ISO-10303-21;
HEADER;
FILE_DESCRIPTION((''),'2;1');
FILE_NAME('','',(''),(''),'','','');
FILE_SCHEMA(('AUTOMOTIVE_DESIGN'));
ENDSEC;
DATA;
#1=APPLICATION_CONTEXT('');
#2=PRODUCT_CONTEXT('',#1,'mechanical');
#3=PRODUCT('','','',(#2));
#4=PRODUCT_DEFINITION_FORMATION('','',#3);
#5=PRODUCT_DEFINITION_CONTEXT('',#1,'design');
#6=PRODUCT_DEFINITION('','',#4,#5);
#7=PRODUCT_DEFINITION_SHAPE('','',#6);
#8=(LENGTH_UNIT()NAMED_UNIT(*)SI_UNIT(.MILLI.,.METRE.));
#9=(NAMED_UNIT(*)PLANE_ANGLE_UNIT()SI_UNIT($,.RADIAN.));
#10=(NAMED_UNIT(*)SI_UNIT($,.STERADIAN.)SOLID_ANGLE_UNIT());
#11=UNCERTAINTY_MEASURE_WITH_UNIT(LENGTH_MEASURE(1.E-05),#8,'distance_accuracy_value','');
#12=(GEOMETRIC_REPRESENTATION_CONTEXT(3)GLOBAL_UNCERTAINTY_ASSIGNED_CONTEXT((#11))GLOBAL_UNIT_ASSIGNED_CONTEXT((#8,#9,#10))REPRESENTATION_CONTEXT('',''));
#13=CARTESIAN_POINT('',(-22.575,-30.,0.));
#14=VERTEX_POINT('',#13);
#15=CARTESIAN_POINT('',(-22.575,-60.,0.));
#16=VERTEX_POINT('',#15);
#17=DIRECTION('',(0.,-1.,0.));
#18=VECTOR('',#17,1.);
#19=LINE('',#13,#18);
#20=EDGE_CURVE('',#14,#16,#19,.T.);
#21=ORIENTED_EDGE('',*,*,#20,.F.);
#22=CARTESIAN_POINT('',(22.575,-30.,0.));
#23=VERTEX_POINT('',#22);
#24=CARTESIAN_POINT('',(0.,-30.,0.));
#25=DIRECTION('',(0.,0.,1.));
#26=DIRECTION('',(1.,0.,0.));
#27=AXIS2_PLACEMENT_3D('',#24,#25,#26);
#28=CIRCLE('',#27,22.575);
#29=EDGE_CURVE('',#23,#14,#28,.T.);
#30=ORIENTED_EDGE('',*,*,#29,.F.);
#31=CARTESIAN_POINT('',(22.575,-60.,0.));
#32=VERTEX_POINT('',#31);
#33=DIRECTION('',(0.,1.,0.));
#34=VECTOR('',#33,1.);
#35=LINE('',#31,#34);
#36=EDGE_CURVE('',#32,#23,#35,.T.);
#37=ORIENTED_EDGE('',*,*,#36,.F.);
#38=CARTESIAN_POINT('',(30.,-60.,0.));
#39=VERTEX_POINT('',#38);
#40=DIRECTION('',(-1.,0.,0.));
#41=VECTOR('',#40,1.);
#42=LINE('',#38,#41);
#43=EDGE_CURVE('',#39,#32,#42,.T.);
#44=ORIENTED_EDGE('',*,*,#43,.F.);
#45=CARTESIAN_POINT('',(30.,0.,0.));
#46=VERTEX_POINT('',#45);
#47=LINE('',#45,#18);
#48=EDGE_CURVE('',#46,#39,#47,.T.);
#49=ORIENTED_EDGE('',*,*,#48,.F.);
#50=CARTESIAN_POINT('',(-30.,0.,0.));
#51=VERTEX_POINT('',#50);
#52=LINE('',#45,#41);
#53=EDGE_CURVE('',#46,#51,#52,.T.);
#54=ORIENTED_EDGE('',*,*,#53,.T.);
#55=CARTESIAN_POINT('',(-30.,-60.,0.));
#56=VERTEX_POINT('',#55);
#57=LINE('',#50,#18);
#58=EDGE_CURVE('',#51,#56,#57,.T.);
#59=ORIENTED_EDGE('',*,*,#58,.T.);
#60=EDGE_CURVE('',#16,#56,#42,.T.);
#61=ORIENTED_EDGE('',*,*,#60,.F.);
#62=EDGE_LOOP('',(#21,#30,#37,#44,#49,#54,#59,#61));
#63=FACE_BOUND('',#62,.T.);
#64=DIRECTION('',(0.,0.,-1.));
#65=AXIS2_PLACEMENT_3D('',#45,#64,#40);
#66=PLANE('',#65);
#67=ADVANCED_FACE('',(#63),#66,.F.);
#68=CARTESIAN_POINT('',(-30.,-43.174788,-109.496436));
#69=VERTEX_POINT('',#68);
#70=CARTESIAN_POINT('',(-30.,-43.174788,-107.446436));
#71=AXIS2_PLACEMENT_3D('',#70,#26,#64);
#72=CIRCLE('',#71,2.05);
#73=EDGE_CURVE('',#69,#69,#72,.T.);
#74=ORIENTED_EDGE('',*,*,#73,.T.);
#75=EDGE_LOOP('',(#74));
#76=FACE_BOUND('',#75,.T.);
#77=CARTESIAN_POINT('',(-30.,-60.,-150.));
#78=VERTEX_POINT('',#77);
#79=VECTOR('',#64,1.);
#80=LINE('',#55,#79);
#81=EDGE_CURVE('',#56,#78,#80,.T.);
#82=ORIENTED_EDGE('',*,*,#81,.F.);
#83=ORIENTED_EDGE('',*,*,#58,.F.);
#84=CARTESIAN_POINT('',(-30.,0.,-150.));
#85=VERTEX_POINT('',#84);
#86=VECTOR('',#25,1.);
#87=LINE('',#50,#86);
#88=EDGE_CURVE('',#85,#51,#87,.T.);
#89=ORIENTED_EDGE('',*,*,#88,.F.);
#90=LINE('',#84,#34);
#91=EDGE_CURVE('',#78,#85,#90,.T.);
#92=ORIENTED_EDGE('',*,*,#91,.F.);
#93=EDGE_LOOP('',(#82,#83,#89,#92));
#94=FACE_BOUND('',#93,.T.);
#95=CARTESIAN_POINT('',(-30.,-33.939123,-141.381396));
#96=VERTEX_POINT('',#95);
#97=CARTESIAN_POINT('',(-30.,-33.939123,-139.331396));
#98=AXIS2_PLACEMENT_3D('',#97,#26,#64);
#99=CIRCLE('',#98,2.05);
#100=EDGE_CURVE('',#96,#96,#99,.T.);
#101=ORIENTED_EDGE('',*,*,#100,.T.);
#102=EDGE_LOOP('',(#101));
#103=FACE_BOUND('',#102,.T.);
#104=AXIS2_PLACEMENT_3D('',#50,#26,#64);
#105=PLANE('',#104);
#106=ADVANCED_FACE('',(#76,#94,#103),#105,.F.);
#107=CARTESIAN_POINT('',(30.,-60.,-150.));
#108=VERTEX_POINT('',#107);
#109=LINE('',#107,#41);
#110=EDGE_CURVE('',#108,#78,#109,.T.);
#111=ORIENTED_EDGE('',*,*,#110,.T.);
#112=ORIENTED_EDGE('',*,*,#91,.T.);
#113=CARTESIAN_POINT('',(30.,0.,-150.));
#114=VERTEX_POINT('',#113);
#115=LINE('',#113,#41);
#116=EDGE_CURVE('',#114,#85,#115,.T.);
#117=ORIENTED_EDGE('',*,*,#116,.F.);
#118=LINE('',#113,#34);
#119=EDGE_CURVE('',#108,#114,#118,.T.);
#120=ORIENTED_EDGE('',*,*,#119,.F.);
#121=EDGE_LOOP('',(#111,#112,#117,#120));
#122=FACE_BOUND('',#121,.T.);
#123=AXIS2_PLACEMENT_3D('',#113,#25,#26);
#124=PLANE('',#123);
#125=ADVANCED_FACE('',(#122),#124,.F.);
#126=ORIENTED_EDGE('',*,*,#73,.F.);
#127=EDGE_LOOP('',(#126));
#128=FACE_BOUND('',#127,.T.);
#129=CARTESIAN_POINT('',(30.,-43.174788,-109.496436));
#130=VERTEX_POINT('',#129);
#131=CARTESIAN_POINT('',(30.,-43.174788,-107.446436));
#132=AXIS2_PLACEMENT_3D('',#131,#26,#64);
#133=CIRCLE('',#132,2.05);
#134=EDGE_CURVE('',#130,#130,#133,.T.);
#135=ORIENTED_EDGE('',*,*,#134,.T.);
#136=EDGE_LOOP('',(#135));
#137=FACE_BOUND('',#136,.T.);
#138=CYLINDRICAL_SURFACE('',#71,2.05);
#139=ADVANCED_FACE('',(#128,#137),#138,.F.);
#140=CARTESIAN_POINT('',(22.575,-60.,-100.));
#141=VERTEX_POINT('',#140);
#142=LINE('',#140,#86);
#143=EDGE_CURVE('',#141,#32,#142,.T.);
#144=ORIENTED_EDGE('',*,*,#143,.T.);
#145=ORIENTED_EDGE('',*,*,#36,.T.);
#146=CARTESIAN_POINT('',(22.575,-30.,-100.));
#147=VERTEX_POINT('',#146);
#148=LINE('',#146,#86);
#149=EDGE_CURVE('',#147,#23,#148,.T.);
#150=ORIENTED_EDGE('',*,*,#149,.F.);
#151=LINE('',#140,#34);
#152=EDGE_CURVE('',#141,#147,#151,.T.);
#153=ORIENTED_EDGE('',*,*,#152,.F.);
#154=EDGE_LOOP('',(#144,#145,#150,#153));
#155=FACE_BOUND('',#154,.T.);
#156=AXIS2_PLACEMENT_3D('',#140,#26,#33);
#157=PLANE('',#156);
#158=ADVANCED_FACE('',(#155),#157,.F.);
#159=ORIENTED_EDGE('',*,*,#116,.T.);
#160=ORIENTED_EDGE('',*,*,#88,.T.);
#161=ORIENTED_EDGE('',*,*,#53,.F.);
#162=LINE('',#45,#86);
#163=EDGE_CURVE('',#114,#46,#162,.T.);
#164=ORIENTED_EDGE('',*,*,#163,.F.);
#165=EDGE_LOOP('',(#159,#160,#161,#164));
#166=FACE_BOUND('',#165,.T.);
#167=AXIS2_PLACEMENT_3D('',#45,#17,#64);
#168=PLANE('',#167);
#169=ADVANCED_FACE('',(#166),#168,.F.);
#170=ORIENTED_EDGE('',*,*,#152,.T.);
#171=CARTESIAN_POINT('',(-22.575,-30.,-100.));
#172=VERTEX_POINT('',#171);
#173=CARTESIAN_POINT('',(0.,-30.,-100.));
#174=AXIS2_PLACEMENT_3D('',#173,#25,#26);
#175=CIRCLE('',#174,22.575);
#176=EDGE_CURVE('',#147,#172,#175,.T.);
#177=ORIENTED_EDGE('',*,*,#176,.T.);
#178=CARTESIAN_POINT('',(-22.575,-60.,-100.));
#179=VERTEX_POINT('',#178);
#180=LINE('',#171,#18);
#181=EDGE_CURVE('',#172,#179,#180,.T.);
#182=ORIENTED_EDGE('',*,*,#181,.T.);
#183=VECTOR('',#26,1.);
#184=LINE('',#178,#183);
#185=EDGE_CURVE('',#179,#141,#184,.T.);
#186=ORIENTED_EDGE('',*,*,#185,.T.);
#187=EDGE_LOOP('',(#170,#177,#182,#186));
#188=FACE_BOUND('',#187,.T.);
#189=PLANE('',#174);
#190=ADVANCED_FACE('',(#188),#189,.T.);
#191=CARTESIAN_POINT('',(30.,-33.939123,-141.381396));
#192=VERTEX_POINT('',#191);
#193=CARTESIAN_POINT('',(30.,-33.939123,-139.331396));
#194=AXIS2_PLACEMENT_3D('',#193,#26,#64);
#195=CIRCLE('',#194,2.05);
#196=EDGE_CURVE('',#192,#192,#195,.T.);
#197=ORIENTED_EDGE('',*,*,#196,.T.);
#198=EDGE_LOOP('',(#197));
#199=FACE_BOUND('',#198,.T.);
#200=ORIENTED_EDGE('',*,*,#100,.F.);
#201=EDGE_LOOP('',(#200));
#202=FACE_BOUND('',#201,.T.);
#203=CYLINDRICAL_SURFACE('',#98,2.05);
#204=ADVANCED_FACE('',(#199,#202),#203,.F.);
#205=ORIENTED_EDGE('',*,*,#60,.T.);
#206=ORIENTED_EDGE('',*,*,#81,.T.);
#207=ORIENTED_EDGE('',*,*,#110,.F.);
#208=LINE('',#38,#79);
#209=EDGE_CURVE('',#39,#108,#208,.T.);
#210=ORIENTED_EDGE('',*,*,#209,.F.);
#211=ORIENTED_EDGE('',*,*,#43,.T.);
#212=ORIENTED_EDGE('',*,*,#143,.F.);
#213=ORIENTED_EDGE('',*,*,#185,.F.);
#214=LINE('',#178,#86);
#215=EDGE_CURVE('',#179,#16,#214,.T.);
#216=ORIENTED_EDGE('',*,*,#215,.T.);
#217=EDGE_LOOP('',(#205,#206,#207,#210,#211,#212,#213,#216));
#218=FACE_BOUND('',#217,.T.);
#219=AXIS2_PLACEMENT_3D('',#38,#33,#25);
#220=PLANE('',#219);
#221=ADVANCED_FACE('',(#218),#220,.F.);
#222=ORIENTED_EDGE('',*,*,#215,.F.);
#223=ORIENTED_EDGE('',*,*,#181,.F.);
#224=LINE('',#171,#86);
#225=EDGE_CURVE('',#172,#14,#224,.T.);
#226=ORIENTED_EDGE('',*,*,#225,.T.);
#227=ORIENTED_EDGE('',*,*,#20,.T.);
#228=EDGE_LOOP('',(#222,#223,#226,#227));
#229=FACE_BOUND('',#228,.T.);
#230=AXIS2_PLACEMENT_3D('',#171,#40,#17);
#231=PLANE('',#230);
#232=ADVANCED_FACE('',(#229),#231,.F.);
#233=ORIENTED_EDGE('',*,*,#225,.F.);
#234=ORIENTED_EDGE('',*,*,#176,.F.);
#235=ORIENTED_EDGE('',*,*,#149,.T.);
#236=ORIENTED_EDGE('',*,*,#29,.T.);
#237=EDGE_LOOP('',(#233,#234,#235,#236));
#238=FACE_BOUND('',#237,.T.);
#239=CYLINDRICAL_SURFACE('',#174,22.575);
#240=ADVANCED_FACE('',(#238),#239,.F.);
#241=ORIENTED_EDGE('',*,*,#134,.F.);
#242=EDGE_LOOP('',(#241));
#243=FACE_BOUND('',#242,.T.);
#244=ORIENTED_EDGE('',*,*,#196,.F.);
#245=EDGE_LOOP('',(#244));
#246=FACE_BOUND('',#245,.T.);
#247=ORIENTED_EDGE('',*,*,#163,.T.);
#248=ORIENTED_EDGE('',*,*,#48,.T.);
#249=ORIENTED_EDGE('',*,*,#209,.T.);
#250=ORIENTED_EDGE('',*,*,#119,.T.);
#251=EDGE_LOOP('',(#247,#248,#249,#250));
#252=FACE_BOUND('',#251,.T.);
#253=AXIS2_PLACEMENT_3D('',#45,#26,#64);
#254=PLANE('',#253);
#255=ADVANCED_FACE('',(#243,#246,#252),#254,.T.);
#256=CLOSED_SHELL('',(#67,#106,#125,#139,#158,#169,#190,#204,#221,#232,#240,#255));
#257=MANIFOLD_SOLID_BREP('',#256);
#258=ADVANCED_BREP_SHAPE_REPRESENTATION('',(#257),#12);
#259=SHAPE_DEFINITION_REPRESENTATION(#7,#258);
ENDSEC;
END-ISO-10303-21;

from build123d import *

# Parameters (mm, degrees)
SKETCH_1_W               = 150
SKETCH_1_H               = 60
EXTRUDE_1_DEPTH          = 30
CUT_EXTRUDE_1_DEPTH      = 100
CUT_EXTRUDE_2_DEPTH      = 165.316767252
CUT_EXTRUDE_2_DEPTH_BACK = 165.316767252
SKETCH_5_R               = 2.05


with BuildPart() as part:
    # 스케치1 → 보스-돌출1 (new, symmetric)
    with BuildSketch(Plane(origin=(0, 0, 0), x_dir=(0, 0, -1), z_dir=(1, 0, 0))):
        with Locations((75, -30)):
            Rectangle(SKETCH_1_W, SKETCH_1_H)
    extrude(amount=EXTRUDE_1_DEPTH, both=True)

    # 스케치4 → 컷-돌출1 (cut)
    with BuildSketch(Plane.XY):
        with BuildLine():
            Line((-22.575, -30), (-22.575, -60))
            Line((-22.575, -60), (22.575, -60))
            Line((22.575, -60), (22.575, -30))
            ThreePointArc((22.575, -30), (0, -7.425), (-22.575, -30))
        make_face()
    extrude(amount=-CUT_EXTRUDE_1_DEPTH, mode=Mode.SUBTRACT)

    # 스케치5 → 컷-돌출2 (cut, two sides: drawn at the far end of the back side and taken through both)
    with BuildSketch(Plane(origin=(0, 0, 0), x_dir=(0, 0, -1), z_dir=(1, 0, 0)).offset(-CUT_EXTRUDE_2_DEPTH_BACK)):
        with Locations((107.446436282, -43.174787846)):
            Circle(SKETCH_5_R)
        with Locations((139.331395941, -33.939123257)):
            Circle(SKETCH_5_R)
    extrude(amount=CUT_EXTRUDE_2_DEPTH + CUT_EXTRUDE_2_DEPTH_BACK, mode=Mode.SUBTRACT)


solid = part.part
